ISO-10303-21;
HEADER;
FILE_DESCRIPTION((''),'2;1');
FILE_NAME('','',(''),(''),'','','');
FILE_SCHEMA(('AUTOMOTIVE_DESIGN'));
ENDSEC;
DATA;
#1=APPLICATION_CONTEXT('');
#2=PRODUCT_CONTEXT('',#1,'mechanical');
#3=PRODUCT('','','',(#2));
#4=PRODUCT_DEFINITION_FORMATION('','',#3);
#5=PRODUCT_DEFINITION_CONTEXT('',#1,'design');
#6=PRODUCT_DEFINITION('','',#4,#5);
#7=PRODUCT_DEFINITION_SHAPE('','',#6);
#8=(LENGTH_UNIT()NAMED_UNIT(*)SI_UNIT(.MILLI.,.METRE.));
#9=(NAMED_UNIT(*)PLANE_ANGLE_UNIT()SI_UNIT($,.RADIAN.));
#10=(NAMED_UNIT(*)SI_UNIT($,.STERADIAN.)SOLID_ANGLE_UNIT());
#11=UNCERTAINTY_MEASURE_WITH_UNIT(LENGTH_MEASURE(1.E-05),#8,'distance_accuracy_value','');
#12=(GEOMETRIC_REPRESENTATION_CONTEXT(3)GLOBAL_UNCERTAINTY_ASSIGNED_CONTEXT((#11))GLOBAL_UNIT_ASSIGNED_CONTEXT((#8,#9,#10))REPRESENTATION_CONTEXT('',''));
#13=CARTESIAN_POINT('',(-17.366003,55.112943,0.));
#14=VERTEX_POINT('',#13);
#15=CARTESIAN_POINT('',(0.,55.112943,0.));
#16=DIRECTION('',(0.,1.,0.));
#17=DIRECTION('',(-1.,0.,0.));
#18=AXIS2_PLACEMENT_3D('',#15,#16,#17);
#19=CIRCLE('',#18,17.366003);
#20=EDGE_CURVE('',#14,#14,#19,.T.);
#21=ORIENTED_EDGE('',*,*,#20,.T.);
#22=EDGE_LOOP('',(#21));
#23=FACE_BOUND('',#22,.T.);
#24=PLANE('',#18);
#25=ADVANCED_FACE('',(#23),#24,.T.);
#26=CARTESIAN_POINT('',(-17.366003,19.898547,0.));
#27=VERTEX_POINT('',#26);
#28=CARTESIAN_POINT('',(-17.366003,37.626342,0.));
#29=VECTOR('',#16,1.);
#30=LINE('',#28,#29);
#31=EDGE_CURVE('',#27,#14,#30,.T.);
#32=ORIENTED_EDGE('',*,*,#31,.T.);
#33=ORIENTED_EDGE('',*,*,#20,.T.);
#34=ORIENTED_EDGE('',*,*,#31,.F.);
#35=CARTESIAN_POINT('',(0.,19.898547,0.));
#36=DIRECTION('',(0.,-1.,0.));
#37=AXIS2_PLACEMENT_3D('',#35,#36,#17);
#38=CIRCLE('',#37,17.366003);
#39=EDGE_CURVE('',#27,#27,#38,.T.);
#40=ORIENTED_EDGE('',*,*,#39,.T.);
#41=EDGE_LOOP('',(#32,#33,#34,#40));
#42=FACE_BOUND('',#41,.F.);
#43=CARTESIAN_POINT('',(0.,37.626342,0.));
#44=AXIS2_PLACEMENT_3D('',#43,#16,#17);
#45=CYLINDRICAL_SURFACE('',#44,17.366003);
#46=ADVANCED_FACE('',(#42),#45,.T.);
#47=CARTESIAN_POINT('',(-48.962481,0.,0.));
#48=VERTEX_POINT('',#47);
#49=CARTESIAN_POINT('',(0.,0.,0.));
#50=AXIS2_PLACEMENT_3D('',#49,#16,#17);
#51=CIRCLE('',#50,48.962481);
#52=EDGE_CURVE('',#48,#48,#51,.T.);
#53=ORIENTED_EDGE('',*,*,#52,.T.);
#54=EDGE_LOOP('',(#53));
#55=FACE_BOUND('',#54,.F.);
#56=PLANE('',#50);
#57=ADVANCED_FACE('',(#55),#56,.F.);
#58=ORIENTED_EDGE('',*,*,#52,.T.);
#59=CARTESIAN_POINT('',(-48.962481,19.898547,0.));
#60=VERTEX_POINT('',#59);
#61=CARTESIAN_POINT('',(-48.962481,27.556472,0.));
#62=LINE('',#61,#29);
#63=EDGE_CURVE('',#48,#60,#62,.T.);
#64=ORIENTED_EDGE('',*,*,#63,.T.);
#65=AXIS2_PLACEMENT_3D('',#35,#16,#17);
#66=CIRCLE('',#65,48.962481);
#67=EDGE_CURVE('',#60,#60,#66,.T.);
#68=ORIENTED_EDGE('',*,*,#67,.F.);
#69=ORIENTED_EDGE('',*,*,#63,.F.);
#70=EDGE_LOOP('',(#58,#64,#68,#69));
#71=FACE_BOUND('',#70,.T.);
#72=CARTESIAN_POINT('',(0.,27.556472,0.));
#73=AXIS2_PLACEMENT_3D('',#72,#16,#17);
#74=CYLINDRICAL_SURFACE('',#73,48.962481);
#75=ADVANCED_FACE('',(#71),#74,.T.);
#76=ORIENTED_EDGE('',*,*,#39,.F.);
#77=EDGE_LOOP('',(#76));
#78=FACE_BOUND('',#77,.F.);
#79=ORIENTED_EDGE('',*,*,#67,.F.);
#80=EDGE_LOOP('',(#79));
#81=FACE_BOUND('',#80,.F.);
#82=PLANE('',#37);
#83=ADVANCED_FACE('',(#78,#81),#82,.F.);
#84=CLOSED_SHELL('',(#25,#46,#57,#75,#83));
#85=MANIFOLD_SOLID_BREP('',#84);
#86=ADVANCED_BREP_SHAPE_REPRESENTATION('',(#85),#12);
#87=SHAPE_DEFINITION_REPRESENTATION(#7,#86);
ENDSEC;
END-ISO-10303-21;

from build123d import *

# Parameters (mm, degrees)
F0_W = 48.9624813199
F0_H = 55.1129430532
F2_W = 32.3200635612
F2_H = 35.455590114


with BuildPart() as f1:
    # F0 (on Top) → F1 (revolve)
    with BuildSketch(Plane.XY):
        with Locations((-24.48124066, 27.5564715266)):
            Rectangle(F0_W, F0_H)
    revolve(axis=Axis((0, 27.5564715266, 0), (0, 1, 0)))

    # F2 (on Top) → F3 (revolve, cut)
    with BuildSketch(Plane.XY):
        with Locations((-33.5260350257, 37.6263419166)):
            Rectangle(F2_W, F2_H)
    revolve(axis=Axis((0, 28.1594563276, 0), (0, -1, 0)), mode=Mode.SUBTRACT)


solid = f1.part
